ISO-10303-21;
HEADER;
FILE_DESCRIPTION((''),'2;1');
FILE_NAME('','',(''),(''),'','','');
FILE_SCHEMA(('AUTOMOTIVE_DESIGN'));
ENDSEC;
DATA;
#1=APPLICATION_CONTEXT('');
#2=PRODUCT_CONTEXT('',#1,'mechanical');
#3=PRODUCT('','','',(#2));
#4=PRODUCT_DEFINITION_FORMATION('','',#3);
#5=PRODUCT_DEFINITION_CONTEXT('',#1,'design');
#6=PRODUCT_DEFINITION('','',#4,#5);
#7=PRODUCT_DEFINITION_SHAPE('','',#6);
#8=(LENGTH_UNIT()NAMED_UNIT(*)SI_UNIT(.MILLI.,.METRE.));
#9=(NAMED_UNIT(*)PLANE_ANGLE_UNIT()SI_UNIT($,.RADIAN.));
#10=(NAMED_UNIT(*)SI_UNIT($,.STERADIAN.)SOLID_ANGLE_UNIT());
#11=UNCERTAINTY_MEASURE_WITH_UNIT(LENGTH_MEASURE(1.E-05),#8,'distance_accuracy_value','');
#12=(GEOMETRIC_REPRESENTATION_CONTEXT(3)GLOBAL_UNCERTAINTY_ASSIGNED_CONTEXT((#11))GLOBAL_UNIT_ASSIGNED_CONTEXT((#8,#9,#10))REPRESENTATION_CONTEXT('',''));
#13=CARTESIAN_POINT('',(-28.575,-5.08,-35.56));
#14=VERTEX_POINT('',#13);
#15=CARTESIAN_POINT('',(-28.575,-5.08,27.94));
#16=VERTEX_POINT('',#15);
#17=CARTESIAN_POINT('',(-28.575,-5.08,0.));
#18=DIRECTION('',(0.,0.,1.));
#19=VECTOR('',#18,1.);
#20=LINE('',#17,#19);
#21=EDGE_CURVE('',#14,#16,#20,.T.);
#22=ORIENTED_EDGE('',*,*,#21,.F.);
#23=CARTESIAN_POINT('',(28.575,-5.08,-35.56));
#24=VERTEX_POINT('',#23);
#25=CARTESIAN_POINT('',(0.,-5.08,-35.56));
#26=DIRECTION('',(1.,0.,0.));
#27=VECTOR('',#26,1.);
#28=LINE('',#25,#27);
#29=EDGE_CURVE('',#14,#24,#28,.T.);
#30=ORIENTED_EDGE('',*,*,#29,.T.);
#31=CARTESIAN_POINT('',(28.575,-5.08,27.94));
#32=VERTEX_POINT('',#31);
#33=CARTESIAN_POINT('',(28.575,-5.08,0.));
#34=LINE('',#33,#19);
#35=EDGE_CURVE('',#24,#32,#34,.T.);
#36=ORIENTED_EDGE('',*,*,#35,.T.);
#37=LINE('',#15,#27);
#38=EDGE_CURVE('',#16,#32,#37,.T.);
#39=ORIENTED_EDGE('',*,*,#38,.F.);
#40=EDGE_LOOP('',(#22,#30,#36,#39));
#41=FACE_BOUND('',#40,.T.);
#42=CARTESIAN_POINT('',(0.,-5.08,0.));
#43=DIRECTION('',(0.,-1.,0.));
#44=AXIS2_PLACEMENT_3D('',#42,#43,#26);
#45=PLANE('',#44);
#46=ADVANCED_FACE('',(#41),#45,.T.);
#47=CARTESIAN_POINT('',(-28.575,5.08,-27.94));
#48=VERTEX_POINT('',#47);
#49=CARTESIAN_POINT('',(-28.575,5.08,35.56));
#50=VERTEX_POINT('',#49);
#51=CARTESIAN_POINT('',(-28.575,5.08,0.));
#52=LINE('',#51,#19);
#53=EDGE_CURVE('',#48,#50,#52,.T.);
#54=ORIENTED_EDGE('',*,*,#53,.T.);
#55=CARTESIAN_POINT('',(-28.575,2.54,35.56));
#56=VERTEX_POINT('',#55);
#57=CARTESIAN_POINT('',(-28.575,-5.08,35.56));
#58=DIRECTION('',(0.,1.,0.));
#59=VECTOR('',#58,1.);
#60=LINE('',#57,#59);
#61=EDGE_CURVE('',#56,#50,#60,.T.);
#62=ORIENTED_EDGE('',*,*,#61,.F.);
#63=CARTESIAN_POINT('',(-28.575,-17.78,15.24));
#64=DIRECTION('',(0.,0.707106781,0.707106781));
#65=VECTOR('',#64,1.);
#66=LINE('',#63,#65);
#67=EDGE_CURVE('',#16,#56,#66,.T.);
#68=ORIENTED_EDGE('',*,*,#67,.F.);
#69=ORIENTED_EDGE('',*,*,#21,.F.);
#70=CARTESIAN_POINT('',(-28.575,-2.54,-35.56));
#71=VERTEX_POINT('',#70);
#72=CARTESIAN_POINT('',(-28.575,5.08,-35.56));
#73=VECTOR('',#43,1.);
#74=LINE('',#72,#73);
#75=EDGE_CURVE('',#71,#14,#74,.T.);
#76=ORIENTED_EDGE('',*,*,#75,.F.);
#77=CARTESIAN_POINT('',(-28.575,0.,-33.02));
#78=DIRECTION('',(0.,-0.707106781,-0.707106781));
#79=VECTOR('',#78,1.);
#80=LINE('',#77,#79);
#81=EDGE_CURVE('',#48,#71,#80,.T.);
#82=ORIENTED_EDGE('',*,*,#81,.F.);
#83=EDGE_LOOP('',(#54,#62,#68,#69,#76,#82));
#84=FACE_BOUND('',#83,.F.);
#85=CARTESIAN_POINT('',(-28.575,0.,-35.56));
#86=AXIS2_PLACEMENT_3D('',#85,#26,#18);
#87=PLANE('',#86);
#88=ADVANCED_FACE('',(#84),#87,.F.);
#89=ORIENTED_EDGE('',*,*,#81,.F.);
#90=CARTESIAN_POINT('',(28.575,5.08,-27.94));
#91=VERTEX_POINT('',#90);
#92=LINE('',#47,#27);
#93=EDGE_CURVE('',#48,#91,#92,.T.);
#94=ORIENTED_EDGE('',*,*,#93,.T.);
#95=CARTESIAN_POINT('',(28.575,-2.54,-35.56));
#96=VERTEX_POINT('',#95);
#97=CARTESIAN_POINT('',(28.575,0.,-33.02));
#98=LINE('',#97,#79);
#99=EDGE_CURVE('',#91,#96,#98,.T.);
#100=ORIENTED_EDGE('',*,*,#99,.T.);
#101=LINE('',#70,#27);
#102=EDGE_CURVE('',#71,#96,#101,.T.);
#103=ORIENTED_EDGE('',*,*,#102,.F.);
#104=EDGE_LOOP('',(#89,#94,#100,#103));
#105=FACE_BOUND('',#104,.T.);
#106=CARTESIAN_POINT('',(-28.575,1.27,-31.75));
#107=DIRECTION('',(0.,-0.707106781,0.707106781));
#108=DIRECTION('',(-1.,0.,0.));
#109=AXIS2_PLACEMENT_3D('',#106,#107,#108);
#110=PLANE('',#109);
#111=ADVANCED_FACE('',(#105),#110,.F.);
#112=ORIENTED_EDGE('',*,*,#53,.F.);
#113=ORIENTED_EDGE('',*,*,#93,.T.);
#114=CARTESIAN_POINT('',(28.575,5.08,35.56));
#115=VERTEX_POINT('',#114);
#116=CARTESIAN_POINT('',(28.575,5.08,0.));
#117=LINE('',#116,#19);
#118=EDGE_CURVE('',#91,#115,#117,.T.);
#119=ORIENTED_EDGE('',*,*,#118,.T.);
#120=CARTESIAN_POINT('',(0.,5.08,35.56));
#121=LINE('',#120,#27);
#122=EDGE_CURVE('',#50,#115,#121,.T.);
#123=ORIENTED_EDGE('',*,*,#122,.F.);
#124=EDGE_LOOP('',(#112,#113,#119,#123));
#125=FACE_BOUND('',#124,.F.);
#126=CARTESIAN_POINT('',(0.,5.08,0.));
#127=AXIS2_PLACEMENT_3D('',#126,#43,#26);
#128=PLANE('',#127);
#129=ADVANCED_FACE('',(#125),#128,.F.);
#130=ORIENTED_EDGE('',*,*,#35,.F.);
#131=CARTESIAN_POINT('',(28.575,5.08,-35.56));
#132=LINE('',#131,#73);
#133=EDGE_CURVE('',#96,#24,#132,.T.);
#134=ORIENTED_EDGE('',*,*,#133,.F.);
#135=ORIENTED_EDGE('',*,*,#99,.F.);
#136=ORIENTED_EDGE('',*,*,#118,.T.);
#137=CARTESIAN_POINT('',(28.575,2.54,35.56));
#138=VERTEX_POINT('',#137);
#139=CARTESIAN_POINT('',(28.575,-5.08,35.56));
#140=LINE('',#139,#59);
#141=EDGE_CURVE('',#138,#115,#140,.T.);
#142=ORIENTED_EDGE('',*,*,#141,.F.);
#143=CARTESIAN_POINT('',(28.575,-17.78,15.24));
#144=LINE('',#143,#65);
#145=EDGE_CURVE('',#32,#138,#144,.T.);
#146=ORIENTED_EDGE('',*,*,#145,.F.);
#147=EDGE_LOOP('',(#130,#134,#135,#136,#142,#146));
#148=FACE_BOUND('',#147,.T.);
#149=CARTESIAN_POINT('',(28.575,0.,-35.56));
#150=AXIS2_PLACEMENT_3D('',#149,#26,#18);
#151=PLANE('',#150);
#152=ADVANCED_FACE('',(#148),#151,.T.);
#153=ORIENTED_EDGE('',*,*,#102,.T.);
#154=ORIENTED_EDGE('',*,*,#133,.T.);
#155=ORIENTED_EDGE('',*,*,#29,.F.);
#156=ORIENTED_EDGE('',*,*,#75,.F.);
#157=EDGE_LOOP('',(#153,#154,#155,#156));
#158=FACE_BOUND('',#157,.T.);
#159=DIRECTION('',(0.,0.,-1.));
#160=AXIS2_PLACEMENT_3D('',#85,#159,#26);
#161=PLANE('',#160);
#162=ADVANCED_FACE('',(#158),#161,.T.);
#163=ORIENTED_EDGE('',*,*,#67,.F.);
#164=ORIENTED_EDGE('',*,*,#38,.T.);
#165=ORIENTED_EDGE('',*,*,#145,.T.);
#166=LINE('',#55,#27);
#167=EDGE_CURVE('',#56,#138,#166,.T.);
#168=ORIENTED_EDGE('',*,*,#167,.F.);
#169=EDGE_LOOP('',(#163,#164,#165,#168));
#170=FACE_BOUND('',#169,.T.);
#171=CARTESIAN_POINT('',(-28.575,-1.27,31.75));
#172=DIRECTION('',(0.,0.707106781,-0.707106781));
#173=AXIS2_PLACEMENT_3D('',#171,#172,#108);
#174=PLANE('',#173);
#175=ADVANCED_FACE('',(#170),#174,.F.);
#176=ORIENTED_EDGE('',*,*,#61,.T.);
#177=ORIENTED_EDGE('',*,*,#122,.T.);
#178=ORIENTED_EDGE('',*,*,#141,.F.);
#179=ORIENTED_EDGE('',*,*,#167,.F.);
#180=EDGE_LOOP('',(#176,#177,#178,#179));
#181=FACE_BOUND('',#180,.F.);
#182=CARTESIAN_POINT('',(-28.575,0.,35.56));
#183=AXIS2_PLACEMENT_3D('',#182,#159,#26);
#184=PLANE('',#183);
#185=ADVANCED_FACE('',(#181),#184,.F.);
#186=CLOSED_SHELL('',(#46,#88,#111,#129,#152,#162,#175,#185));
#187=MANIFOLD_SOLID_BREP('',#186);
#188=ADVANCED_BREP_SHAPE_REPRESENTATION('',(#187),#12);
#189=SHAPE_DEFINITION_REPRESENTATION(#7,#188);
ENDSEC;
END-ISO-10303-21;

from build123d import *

# Parameters (mm, degrees)
F0_W     = 57.15
F0_H     = 71.12
F1_DEPTH = 5.08
F2_SIZE  = 7.62


with BuildPart() as f1:
    # F0 (on Front) → F1 (new body, symmetric)
    with BuildSketch(Plane.XZ):
        Rectangle(F0_W, F0_H)
    extrude(amount=F1_DEPTH, both=True)

    # F2
    f2_edges = [f1.edges().sort_by_distance(p)[0] for p in [
        (0, -5.08, 35.56),
        (0, 5.08, -35.56),
    ]]
    chamfer(f2_edges, length=F2_SIZE)


solid = f1.part
